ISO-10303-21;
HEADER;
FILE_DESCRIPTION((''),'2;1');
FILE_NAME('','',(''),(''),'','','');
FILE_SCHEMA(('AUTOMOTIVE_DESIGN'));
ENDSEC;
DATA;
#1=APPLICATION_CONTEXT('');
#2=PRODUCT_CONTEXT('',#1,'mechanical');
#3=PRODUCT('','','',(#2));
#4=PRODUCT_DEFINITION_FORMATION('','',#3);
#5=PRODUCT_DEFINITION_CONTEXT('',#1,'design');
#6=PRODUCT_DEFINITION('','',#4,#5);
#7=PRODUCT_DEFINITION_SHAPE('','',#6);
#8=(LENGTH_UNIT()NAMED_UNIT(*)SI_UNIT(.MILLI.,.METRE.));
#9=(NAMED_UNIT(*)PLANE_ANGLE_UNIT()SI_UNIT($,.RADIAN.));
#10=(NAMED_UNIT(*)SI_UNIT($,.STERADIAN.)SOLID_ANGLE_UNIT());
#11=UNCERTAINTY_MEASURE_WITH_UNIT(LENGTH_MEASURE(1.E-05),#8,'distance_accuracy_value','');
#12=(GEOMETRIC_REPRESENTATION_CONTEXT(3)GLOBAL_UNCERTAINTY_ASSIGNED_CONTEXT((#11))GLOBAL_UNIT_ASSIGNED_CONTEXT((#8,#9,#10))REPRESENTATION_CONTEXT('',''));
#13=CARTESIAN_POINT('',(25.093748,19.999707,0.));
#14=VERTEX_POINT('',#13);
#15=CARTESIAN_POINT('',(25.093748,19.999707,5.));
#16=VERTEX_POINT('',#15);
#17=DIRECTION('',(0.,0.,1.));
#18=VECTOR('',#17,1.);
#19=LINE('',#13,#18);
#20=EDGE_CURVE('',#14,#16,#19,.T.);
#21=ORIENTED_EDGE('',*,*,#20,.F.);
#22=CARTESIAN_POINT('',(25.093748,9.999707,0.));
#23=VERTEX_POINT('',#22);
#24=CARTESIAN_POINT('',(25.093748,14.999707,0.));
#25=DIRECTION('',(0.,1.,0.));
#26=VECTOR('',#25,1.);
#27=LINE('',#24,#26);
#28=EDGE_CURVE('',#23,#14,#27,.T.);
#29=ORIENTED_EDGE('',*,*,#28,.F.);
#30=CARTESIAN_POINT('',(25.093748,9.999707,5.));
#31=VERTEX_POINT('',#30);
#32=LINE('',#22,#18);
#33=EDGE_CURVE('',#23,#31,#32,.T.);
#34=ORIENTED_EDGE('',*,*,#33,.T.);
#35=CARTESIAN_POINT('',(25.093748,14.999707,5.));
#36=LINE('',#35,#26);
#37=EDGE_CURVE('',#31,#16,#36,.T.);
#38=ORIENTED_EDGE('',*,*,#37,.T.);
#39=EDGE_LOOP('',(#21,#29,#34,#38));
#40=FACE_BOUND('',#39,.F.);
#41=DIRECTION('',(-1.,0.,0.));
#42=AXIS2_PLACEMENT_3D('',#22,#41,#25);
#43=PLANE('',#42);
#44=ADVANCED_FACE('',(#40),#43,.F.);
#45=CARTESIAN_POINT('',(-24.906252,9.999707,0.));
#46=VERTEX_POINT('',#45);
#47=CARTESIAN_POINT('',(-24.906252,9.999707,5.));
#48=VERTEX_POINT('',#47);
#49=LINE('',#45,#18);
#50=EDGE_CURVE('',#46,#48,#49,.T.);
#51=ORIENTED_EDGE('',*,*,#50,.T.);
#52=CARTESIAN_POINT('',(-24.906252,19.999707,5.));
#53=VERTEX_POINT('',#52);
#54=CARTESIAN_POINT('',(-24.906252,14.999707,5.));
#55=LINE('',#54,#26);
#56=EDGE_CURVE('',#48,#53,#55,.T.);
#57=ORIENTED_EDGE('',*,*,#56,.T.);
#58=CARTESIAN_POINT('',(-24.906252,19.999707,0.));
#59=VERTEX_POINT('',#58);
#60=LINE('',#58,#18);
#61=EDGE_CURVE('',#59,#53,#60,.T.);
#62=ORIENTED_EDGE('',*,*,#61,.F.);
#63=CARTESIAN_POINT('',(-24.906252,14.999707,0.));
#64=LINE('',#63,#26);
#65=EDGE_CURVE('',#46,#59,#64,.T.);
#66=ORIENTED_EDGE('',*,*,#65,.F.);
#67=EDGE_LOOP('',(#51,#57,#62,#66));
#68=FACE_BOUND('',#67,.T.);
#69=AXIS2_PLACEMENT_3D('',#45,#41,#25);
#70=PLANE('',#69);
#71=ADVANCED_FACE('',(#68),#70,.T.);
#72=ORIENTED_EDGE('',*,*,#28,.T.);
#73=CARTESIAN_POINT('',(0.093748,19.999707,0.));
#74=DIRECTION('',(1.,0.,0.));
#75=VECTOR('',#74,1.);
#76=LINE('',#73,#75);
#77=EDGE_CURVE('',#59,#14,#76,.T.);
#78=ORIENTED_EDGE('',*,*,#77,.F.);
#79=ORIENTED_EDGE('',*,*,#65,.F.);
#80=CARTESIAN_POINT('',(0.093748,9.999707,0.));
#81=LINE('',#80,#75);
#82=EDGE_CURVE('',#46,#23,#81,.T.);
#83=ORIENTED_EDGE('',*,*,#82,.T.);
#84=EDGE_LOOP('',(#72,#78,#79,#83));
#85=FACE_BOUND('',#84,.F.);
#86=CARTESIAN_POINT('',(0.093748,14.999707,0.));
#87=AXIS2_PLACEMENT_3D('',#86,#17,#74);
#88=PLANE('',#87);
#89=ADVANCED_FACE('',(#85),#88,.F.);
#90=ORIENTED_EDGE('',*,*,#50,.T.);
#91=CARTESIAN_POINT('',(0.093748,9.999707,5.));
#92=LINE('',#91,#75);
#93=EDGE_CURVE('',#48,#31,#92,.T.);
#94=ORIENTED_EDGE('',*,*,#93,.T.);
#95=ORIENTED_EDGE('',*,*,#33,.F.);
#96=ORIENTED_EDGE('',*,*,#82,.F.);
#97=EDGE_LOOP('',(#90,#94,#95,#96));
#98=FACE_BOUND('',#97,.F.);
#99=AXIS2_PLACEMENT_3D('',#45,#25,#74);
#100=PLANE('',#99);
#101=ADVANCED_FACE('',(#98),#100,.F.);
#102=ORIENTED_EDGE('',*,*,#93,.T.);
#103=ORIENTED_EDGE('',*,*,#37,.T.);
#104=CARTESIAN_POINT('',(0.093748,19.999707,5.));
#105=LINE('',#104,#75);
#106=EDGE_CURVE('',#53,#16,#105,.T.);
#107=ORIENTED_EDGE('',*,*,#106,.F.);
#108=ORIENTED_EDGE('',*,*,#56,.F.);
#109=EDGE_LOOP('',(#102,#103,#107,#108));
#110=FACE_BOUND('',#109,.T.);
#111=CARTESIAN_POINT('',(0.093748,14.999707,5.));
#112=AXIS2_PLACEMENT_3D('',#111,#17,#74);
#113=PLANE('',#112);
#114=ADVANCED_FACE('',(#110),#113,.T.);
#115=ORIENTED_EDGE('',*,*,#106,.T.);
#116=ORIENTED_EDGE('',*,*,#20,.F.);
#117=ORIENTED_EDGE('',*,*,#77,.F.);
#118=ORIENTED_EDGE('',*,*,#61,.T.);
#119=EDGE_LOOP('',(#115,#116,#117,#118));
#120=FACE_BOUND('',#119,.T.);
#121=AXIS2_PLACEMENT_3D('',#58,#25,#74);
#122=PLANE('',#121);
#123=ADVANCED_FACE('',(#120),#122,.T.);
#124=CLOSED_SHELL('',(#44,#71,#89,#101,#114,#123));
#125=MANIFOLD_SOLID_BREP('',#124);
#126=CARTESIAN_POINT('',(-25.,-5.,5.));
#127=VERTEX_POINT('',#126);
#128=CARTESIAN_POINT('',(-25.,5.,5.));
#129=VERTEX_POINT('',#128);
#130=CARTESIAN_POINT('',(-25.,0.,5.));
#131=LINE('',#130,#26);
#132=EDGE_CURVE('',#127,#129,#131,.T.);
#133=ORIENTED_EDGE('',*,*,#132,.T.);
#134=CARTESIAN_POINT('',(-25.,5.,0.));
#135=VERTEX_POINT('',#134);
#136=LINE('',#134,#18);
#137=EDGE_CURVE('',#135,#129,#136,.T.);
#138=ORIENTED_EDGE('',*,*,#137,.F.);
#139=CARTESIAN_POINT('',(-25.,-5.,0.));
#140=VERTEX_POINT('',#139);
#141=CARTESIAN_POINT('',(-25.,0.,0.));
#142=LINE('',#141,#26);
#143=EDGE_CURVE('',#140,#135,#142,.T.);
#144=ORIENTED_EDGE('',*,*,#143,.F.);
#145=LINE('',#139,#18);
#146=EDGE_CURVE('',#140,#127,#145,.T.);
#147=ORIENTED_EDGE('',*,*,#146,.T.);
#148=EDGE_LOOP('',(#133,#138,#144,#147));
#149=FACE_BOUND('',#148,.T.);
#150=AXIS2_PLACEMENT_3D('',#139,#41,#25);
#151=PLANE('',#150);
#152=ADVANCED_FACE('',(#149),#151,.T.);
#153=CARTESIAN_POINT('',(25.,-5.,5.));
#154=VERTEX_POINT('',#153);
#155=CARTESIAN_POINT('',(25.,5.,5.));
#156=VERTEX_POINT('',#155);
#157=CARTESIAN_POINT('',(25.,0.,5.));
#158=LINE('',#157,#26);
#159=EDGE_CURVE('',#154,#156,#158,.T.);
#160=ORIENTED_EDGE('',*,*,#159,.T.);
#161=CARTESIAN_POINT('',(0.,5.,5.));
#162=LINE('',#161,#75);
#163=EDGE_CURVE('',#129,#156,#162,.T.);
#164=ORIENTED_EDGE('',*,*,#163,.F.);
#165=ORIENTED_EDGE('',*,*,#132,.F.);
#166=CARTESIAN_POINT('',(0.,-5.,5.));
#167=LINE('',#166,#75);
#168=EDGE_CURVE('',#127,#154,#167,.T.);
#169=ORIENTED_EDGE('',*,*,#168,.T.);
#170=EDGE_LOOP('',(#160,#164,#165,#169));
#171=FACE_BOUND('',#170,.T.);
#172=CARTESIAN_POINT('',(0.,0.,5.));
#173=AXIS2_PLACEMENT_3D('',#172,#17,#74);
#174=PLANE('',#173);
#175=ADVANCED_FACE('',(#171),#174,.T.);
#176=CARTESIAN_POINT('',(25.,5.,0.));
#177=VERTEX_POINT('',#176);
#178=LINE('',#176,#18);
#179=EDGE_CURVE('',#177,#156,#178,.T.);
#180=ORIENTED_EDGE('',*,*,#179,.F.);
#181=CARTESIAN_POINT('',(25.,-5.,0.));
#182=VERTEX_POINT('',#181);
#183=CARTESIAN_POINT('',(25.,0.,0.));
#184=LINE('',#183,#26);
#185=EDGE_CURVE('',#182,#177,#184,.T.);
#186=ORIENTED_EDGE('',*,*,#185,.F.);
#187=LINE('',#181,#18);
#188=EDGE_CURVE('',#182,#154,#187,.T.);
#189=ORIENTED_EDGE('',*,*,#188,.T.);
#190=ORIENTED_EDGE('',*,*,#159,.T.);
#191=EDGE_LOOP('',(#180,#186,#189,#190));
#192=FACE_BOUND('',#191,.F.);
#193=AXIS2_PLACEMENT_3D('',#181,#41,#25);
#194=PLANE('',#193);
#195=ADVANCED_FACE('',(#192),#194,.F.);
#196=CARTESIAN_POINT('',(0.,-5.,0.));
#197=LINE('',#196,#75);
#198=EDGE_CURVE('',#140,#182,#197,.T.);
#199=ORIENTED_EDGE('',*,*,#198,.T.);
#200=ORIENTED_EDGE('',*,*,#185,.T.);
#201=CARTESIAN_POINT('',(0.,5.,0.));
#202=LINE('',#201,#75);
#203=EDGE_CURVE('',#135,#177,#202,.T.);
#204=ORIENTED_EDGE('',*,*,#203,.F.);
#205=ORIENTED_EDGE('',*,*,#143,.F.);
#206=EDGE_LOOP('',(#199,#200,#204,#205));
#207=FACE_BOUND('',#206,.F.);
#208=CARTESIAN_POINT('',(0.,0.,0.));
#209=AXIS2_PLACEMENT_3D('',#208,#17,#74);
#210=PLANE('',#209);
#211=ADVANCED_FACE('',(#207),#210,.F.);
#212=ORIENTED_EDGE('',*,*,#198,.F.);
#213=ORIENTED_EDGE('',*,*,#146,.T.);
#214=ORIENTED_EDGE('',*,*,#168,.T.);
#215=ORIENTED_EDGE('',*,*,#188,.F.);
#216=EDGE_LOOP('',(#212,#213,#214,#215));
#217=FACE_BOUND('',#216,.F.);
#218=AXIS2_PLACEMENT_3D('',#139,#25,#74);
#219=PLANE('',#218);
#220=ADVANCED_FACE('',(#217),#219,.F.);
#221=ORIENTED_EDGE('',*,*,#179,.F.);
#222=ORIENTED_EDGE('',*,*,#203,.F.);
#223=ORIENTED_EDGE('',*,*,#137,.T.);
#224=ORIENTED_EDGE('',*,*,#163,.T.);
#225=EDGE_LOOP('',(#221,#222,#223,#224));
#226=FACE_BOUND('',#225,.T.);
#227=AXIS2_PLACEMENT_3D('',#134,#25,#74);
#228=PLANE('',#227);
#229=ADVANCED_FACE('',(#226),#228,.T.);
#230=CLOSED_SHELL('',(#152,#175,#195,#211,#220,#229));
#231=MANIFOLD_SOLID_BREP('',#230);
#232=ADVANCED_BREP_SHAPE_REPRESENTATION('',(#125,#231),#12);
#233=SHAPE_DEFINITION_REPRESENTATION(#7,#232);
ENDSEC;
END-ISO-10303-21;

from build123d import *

# Parameters (mm, degrees)
F0_W     = 50
F0_H     = 10
F1_DEPTH = 5


with BuildPart() as f1:
    # F0 (on Top) → F1 (new body)
    with BuildSketch(Plane.XY):
        Rectangle(F0_W, F0_H)
        with Locations((0.093748, 14.999707)):
            Rectangle(F0_W, F0_H)
    extrude(amount=F1_DEPTH)


solid = f1.part
